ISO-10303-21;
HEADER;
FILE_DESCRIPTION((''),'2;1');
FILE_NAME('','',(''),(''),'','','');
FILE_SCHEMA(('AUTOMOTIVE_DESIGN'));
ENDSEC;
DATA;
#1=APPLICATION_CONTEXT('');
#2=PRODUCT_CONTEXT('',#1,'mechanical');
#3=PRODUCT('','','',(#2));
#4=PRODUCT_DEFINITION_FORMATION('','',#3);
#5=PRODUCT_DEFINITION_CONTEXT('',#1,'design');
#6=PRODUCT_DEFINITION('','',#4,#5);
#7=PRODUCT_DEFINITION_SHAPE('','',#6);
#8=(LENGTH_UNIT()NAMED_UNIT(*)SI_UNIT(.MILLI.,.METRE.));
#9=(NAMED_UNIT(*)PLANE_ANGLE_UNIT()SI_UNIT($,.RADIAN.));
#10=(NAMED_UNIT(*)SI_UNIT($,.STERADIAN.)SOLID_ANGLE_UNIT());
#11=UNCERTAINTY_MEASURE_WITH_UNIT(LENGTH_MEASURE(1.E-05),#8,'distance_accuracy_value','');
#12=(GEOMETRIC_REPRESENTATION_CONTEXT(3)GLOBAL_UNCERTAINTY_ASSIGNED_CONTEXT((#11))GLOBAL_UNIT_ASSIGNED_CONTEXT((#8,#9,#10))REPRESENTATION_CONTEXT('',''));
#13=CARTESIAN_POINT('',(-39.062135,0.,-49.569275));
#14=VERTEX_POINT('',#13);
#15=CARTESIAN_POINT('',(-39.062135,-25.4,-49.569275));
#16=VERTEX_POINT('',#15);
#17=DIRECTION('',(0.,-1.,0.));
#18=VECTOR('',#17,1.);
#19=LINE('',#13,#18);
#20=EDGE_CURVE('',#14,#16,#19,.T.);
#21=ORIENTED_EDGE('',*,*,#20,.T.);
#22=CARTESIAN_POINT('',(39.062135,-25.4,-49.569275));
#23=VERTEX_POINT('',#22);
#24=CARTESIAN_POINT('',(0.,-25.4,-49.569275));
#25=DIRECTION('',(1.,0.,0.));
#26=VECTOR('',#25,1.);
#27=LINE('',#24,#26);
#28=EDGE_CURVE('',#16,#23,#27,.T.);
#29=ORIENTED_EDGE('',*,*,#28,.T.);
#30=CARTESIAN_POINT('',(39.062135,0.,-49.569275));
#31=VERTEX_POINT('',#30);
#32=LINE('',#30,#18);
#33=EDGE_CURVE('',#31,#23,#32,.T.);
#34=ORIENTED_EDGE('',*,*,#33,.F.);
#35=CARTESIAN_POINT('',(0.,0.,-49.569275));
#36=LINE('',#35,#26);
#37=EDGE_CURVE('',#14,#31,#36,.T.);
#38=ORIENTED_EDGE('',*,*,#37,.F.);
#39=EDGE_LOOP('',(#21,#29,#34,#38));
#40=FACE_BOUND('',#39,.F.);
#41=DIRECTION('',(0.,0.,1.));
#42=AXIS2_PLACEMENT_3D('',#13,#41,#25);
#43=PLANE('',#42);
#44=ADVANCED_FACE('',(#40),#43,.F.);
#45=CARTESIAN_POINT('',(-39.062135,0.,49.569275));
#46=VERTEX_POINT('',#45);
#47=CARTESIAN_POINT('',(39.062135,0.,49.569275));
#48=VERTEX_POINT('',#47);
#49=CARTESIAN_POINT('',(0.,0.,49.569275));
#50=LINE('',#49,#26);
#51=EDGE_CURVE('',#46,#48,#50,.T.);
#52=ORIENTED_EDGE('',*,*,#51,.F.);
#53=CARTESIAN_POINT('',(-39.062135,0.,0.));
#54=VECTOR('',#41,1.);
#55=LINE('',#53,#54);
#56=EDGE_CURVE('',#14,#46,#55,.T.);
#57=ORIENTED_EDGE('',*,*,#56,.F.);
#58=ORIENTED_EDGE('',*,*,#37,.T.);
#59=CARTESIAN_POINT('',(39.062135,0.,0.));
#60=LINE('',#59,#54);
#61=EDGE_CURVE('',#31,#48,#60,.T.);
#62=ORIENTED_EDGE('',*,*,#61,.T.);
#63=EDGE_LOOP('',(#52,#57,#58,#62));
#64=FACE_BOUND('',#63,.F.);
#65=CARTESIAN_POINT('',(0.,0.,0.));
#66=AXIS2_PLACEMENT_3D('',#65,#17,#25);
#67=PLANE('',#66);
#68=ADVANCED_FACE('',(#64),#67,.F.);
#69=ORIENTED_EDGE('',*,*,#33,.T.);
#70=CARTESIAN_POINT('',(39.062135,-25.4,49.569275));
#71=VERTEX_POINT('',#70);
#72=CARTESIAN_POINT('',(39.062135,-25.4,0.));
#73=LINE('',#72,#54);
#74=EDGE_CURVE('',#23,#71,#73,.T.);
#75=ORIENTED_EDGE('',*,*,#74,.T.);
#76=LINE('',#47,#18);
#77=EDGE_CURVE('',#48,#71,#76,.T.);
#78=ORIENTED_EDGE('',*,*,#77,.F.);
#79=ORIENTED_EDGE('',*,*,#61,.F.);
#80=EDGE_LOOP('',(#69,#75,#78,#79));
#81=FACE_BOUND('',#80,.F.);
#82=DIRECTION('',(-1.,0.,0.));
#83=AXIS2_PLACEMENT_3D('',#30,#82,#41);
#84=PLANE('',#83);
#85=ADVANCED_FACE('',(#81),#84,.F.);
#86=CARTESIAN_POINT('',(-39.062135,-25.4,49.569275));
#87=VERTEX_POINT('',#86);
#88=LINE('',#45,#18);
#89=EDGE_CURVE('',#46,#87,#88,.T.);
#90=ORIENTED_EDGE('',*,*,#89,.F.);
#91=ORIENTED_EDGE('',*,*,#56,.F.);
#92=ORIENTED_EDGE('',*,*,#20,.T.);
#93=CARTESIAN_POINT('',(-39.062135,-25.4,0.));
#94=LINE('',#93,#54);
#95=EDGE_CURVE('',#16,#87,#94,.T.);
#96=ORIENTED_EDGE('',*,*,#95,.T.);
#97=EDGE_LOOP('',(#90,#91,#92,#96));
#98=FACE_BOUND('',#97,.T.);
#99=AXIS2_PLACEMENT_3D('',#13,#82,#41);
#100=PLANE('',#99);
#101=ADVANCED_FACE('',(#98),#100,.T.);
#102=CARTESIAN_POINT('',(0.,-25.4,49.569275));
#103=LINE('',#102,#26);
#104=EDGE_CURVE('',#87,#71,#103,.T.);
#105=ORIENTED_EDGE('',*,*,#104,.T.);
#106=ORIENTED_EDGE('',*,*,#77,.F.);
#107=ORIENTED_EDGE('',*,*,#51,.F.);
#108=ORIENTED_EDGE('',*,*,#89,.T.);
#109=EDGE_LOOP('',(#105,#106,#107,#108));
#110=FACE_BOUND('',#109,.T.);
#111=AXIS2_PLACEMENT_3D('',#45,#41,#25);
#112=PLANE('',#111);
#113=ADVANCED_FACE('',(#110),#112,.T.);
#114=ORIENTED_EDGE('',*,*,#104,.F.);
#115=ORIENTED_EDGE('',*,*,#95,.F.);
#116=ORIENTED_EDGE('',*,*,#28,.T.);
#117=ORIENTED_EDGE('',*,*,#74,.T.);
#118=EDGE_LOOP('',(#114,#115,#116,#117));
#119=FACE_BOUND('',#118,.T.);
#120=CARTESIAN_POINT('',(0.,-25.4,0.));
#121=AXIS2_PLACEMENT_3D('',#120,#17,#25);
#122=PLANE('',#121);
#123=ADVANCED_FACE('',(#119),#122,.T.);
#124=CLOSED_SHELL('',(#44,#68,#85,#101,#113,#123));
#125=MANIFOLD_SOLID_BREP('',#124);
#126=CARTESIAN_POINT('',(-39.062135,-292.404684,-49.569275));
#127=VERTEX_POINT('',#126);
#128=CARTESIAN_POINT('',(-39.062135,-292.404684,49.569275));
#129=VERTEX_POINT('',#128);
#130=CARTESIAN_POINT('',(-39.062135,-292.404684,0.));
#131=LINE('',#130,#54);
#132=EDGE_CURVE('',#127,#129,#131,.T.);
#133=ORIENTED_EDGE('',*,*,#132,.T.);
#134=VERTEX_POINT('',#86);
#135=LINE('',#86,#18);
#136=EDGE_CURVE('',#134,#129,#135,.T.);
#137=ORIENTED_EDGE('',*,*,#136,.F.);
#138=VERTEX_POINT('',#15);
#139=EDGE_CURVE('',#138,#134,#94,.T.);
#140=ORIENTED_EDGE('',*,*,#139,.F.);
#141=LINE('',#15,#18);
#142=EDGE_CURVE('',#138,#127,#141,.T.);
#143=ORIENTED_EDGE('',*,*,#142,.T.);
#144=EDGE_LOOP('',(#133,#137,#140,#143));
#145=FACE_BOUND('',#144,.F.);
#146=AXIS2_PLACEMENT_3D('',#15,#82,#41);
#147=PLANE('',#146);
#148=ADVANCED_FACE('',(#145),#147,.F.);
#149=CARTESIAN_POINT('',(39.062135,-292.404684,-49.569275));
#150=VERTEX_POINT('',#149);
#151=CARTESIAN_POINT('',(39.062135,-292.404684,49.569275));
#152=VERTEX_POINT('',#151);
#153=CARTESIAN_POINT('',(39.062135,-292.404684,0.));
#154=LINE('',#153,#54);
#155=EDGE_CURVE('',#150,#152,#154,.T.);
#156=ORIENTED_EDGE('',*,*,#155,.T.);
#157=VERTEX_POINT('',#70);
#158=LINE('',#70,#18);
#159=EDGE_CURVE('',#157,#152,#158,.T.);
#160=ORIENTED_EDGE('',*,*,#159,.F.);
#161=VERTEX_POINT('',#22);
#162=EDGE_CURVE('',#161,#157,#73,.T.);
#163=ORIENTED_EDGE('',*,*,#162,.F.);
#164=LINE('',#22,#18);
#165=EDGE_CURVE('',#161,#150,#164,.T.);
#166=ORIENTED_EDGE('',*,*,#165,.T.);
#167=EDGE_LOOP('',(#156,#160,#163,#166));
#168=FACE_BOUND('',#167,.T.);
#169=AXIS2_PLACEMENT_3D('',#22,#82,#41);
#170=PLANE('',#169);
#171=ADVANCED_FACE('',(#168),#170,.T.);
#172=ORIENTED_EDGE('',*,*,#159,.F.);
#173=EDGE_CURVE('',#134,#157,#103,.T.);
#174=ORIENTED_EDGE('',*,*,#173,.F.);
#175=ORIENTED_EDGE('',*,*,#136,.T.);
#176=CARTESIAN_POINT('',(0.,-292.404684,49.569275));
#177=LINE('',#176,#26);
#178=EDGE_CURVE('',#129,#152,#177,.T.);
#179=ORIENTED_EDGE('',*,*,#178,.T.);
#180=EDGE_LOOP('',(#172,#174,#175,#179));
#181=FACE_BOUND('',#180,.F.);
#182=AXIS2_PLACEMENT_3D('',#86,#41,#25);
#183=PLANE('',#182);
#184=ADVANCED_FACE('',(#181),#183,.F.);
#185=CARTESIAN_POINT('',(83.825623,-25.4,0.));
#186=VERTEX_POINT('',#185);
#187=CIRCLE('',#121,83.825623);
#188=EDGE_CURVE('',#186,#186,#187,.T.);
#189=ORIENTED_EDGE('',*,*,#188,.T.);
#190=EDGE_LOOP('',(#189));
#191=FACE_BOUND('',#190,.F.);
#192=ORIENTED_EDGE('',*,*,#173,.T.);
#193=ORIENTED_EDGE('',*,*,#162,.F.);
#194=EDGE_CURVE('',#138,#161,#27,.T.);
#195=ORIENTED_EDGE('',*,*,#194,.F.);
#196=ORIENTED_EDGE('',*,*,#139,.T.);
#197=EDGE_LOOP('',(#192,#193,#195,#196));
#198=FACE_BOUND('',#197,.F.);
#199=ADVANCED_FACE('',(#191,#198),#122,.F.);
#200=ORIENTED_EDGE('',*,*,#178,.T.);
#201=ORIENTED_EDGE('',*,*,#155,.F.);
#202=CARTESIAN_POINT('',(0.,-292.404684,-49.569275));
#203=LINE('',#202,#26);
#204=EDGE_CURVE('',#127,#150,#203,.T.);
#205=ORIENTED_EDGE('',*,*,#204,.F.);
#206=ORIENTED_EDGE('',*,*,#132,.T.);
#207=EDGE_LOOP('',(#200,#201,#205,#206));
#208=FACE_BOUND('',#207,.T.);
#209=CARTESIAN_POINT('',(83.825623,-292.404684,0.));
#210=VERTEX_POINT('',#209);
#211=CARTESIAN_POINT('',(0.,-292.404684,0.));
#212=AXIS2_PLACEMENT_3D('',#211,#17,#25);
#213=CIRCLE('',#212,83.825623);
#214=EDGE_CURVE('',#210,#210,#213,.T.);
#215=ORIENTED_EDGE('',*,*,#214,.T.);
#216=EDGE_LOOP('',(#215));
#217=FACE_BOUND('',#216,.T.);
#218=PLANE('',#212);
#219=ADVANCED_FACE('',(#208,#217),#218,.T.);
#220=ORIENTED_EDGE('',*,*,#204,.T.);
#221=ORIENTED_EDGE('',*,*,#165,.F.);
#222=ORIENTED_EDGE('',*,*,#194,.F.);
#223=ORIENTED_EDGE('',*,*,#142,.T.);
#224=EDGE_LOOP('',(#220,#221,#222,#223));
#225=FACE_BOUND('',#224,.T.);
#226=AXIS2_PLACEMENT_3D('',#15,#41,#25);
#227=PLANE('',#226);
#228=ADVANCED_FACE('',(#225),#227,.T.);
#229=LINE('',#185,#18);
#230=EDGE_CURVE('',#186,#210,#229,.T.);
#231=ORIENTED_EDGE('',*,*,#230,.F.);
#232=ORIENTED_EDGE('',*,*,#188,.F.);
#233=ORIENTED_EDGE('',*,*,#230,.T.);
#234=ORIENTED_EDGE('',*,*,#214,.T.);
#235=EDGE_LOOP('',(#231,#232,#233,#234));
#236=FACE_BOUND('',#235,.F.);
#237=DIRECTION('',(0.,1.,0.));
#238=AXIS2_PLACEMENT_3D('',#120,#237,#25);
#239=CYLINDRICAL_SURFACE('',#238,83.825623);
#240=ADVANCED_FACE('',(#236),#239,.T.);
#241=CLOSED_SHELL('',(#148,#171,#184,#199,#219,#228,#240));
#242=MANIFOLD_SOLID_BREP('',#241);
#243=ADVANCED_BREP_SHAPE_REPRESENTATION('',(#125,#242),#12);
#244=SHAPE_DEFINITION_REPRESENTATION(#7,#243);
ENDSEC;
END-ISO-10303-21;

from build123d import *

# Parameters (mm, degrees)
F0_W     = 78.12427
F0_H     = 99.13855
F1_DEPTH = 25.4
F2_R     = 83.825623
F2_W     = 78.12427
F2_H     = 99.13855
F3_DEPTH = 267.004684


with BuildPart() as f1:
    # F0 (on Front) → F1 (new body)
    with BuildSketch(Plane.XZ):
        Rectangle(F0_W, F0_H)
    extrude(amount=F1_DEPTH)


with BuildPart() as f3:
    # F2 (on face) → F3 (new body)
    with BuildSketch(Plane.XZ.offset(25.4)):
        Circle(F2_R)
        Rectangle(F2_W, F2_H, mode=Mode.SUBTRACT)
    extrude(amount=F3_DEPTH)


solid = Compound([f1.part, f3.part])
